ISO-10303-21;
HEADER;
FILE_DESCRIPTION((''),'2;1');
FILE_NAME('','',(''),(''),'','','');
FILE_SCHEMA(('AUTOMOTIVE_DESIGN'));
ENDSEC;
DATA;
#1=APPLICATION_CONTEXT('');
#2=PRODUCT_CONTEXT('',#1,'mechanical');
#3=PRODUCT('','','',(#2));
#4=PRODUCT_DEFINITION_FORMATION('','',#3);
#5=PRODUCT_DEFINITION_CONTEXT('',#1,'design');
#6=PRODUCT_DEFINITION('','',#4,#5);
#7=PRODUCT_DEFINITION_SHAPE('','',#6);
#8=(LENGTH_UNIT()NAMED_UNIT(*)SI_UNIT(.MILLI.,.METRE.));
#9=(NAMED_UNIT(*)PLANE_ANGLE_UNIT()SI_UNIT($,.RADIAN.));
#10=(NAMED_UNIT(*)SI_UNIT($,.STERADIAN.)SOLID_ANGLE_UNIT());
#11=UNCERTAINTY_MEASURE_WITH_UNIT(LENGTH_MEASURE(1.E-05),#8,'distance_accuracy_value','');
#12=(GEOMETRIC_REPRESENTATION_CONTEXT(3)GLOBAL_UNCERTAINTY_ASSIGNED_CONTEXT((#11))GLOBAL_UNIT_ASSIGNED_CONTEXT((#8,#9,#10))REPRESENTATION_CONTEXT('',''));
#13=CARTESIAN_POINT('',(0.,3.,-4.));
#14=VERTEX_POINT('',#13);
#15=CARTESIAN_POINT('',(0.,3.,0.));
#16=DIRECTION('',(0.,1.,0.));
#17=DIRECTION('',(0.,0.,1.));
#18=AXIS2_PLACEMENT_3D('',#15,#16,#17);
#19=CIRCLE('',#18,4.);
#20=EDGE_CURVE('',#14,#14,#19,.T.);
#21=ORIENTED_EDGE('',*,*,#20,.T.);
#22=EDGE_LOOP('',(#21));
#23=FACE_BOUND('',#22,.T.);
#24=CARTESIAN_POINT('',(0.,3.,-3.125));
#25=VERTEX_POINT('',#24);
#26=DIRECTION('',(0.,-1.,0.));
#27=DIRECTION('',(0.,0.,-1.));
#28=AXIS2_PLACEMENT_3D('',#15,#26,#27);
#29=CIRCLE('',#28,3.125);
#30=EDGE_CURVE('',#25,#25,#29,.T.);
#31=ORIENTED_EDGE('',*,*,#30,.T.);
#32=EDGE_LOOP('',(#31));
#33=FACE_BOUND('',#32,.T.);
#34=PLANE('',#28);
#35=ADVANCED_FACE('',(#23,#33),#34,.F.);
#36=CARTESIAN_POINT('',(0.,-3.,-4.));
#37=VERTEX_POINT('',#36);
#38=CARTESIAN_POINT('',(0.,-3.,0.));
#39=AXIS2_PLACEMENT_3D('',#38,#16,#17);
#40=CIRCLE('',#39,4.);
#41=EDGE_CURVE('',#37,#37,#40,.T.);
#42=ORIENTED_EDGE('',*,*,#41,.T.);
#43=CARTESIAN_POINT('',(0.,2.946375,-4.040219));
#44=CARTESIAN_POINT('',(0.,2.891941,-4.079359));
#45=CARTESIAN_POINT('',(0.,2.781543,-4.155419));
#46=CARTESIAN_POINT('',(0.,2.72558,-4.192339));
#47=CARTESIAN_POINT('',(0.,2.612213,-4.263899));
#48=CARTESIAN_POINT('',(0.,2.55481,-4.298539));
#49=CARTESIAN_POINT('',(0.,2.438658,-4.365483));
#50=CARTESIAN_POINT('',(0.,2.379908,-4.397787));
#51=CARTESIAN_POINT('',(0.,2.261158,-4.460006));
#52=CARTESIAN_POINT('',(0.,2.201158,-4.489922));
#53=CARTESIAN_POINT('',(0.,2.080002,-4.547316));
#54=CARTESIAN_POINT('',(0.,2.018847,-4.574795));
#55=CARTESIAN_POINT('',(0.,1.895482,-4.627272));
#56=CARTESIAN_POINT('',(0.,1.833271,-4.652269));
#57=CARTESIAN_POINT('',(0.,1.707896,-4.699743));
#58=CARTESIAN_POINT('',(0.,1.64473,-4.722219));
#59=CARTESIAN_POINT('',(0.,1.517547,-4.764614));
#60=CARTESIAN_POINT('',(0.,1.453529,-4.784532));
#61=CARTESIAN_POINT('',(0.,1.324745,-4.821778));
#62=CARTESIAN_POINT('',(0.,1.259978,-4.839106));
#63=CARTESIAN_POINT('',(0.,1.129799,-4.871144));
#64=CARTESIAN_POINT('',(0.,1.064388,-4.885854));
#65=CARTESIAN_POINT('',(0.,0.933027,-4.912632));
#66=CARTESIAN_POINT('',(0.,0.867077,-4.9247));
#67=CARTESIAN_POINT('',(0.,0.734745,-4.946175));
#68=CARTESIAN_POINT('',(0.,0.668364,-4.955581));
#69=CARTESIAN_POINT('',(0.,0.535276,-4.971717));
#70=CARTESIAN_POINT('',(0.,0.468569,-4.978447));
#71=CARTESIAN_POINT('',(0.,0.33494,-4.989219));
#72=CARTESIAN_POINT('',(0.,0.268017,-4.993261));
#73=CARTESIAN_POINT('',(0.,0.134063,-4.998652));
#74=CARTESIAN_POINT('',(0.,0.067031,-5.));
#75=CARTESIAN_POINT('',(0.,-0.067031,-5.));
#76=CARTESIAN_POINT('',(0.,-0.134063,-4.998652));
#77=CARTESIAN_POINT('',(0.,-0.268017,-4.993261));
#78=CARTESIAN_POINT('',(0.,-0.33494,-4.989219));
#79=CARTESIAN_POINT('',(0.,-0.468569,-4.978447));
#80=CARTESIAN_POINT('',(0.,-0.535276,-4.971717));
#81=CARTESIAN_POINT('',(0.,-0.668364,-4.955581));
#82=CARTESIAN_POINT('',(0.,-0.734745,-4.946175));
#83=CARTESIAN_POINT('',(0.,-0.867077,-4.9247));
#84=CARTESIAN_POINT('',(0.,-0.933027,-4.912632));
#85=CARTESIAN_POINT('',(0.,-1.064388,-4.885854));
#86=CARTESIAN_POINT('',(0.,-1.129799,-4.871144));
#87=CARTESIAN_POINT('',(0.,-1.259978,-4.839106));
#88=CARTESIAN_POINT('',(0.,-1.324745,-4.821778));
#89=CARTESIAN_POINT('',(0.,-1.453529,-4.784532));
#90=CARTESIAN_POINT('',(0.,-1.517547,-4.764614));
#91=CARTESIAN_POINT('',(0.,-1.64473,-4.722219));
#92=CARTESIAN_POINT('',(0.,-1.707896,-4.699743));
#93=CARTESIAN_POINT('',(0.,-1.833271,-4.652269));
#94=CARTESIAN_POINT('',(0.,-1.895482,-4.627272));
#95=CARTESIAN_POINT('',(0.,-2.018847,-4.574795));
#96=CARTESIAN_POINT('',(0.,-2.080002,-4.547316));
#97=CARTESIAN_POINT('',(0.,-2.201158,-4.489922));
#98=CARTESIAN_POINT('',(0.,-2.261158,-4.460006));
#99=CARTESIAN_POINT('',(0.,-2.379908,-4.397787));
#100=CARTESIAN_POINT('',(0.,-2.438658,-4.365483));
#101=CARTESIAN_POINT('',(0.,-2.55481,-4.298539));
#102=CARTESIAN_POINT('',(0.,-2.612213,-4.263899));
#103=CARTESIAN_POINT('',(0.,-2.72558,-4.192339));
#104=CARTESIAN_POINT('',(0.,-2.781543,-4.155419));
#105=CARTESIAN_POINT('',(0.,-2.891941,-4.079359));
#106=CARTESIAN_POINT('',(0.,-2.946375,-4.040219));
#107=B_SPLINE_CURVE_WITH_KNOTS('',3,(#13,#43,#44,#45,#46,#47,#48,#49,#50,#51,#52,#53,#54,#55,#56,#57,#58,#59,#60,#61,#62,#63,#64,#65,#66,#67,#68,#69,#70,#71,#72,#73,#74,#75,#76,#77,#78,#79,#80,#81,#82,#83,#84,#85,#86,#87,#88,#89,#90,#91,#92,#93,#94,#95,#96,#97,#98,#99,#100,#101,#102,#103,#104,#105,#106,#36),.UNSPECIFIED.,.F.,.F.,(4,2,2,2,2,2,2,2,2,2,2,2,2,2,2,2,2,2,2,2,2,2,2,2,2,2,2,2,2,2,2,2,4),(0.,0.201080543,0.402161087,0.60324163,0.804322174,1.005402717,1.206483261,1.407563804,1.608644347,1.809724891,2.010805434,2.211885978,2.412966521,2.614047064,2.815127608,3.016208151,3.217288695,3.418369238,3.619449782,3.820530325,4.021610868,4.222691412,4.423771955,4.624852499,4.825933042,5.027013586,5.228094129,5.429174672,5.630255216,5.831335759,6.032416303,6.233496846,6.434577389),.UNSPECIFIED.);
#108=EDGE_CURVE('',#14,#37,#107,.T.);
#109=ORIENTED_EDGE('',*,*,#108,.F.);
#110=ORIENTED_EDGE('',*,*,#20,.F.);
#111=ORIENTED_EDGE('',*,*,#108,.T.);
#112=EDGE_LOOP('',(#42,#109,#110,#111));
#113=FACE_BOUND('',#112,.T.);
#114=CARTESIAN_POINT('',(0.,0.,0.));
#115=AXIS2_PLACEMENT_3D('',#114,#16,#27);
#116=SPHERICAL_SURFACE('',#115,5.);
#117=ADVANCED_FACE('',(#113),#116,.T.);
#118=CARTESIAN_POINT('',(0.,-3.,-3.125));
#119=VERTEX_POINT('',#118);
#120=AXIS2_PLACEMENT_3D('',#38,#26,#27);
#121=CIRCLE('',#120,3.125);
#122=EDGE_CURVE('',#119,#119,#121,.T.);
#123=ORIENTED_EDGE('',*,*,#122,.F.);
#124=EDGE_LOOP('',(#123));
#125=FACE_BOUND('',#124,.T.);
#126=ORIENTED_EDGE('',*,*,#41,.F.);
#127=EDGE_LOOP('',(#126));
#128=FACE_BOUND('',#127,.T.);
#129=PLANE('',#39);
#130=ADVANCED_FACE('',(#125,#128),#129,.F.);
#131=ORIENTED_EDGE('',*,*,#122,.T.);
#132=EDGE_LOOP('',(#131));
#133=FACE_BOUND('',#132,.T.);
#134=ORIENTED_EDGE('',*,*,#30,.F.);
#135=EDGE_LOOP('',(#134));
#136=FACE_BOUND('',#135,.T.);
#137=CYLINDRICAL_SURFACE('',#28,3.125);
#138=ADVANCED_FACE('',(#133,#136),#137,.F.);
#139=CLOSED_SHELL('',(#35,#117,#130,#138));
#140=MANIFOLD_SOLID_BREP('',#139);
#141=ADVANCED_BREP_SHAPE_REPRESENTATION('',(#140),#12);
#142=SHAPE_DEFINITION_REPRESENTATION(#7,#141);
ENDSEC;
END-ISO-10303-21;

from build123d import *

# Parameters (mm, degrees)
SKETCH2_R          = 3.125
CUT_EXTRUDE1_DEPTH = 10.273618495


with BuildPart() as part:
    # Sketch1 → Revolve1 (revolve)
    with BuildSketch(Plane(origin=(0, 0, 0), x_dir=(0, 0, -1), z_dir=(1, 0, 0))):
        with BuildLine():
            Line((0, 3), (0, -3))
            Line((0, -3), (4, -3))
            ThreePointArc((4, -3), (5, 0), (4, 3))
            Line((4, 3), (0, 3))
        make_face()
    revolve(axis=Axis((0, 3, 0), (0, -1, 0)))

    # Sketch2 → Cut-Extrude1 (cut, through all)
    with BuildSketch(Plane.XZ.offset(3)):
        with Locations(Location((0, 0, 0), (0, 0, 270))):
            Circle(SKETCH2_R)
    extrude(amount=-CUT_EXTRUDE1_DEPTH, mode=Mode.SUBTRACT)


solid = part.part
